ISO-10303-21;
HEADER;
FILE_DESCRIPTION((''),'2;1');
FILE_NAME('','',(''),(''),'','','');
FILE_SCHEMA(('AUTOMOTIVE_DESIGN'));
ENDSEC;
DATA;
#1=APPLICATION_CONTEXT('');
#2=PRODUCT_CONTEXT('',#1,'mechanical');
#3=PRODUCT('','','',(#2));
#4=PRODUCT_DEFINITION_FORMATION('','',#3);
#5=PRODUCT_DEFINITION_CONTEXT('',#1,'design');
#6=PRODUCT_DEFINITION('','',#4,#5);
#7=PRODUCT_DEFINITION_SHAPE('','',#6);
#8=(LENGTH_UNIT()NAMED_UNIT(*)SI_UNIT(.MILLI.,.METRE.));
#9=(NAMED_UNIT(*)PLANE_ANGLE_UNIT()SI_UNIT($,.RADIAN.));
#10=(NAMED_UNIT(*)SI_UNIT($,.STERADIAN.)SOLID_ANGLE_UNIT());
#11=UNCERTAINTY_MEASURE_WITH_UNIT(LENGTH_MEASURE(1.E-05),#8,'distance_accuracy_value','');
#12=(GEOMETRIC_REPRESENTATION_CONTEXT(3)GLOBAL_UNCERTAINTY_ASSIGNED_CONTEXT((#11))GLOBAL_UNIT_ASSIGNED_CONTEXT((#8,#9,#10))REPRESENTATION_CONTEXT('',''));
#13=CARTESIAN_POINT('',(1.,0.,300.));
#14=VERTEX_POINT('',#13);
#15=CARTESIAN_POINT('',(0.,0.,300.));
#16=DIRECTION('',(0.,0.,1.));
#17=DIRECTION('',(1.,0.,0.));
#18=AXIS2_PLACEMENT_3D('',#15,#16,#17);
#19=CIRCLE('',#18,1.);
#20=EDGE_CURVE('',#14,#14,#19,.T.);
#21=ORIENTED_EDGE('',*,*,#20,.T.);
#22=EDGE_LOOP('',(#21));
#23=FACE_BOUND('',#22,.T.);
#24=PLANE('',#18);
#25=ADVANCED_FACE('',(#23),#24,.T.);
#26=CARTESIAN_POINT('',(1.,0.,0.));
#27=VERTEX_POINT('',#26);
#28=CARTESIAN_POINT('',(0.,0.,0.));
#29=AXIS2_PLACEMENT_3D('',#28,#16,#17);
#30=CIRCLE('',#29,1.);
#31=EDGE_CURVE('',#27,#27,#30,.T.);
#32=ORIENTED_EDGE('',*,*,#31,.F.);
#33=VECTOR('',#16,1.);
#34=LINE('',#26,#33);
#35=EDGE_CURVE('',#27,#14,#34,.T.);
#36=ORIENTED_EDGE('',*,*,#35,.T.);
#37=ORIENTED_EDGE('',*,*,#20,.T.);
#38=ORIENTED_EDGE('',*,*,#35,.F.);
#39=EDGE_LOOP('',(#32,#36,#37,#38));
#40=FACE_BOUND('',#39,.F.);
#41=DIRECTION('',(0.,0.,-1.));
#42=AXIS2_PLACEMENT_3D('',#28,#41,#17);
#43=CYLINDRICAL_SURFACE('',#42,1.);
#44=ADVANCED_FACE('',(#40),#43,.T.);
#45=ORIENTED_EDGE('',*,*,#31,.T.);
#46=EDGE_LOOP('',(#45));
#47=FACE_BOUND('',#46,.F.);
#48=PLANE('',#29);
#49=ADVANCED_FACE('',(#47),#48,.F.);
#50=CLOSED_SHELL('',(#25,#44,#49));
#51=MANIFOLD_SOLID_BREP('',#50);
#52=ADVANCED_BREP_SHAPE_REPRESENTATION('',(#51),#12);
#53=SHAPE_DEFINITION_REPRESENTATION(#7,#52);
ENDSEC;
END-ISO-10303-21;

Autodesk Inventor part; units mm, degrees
ref_plane "YZ Plane" through (0, 0, 0) normal (1, 0, 0) x (0, 1, 0)
ref_plane "XZ Plane" through (0, 0, 0) normal (0, 1, 0) x (-1, 0, 0)
ref_plane "XY Plane" through (0, 0, 0) normal (0, 0, 1) x (1, 0, 0)
sketch "Sketch1" plane through (0, 0, 0) normal (0, 0, 1) x (1, 0, 0)
  circle A0 centre (0, 0) radius 1
  dimension "d0" = 2
extrude "Extrusion1" add sketch "Sketch1" along normal blind 300
properties part number "TestCord"
